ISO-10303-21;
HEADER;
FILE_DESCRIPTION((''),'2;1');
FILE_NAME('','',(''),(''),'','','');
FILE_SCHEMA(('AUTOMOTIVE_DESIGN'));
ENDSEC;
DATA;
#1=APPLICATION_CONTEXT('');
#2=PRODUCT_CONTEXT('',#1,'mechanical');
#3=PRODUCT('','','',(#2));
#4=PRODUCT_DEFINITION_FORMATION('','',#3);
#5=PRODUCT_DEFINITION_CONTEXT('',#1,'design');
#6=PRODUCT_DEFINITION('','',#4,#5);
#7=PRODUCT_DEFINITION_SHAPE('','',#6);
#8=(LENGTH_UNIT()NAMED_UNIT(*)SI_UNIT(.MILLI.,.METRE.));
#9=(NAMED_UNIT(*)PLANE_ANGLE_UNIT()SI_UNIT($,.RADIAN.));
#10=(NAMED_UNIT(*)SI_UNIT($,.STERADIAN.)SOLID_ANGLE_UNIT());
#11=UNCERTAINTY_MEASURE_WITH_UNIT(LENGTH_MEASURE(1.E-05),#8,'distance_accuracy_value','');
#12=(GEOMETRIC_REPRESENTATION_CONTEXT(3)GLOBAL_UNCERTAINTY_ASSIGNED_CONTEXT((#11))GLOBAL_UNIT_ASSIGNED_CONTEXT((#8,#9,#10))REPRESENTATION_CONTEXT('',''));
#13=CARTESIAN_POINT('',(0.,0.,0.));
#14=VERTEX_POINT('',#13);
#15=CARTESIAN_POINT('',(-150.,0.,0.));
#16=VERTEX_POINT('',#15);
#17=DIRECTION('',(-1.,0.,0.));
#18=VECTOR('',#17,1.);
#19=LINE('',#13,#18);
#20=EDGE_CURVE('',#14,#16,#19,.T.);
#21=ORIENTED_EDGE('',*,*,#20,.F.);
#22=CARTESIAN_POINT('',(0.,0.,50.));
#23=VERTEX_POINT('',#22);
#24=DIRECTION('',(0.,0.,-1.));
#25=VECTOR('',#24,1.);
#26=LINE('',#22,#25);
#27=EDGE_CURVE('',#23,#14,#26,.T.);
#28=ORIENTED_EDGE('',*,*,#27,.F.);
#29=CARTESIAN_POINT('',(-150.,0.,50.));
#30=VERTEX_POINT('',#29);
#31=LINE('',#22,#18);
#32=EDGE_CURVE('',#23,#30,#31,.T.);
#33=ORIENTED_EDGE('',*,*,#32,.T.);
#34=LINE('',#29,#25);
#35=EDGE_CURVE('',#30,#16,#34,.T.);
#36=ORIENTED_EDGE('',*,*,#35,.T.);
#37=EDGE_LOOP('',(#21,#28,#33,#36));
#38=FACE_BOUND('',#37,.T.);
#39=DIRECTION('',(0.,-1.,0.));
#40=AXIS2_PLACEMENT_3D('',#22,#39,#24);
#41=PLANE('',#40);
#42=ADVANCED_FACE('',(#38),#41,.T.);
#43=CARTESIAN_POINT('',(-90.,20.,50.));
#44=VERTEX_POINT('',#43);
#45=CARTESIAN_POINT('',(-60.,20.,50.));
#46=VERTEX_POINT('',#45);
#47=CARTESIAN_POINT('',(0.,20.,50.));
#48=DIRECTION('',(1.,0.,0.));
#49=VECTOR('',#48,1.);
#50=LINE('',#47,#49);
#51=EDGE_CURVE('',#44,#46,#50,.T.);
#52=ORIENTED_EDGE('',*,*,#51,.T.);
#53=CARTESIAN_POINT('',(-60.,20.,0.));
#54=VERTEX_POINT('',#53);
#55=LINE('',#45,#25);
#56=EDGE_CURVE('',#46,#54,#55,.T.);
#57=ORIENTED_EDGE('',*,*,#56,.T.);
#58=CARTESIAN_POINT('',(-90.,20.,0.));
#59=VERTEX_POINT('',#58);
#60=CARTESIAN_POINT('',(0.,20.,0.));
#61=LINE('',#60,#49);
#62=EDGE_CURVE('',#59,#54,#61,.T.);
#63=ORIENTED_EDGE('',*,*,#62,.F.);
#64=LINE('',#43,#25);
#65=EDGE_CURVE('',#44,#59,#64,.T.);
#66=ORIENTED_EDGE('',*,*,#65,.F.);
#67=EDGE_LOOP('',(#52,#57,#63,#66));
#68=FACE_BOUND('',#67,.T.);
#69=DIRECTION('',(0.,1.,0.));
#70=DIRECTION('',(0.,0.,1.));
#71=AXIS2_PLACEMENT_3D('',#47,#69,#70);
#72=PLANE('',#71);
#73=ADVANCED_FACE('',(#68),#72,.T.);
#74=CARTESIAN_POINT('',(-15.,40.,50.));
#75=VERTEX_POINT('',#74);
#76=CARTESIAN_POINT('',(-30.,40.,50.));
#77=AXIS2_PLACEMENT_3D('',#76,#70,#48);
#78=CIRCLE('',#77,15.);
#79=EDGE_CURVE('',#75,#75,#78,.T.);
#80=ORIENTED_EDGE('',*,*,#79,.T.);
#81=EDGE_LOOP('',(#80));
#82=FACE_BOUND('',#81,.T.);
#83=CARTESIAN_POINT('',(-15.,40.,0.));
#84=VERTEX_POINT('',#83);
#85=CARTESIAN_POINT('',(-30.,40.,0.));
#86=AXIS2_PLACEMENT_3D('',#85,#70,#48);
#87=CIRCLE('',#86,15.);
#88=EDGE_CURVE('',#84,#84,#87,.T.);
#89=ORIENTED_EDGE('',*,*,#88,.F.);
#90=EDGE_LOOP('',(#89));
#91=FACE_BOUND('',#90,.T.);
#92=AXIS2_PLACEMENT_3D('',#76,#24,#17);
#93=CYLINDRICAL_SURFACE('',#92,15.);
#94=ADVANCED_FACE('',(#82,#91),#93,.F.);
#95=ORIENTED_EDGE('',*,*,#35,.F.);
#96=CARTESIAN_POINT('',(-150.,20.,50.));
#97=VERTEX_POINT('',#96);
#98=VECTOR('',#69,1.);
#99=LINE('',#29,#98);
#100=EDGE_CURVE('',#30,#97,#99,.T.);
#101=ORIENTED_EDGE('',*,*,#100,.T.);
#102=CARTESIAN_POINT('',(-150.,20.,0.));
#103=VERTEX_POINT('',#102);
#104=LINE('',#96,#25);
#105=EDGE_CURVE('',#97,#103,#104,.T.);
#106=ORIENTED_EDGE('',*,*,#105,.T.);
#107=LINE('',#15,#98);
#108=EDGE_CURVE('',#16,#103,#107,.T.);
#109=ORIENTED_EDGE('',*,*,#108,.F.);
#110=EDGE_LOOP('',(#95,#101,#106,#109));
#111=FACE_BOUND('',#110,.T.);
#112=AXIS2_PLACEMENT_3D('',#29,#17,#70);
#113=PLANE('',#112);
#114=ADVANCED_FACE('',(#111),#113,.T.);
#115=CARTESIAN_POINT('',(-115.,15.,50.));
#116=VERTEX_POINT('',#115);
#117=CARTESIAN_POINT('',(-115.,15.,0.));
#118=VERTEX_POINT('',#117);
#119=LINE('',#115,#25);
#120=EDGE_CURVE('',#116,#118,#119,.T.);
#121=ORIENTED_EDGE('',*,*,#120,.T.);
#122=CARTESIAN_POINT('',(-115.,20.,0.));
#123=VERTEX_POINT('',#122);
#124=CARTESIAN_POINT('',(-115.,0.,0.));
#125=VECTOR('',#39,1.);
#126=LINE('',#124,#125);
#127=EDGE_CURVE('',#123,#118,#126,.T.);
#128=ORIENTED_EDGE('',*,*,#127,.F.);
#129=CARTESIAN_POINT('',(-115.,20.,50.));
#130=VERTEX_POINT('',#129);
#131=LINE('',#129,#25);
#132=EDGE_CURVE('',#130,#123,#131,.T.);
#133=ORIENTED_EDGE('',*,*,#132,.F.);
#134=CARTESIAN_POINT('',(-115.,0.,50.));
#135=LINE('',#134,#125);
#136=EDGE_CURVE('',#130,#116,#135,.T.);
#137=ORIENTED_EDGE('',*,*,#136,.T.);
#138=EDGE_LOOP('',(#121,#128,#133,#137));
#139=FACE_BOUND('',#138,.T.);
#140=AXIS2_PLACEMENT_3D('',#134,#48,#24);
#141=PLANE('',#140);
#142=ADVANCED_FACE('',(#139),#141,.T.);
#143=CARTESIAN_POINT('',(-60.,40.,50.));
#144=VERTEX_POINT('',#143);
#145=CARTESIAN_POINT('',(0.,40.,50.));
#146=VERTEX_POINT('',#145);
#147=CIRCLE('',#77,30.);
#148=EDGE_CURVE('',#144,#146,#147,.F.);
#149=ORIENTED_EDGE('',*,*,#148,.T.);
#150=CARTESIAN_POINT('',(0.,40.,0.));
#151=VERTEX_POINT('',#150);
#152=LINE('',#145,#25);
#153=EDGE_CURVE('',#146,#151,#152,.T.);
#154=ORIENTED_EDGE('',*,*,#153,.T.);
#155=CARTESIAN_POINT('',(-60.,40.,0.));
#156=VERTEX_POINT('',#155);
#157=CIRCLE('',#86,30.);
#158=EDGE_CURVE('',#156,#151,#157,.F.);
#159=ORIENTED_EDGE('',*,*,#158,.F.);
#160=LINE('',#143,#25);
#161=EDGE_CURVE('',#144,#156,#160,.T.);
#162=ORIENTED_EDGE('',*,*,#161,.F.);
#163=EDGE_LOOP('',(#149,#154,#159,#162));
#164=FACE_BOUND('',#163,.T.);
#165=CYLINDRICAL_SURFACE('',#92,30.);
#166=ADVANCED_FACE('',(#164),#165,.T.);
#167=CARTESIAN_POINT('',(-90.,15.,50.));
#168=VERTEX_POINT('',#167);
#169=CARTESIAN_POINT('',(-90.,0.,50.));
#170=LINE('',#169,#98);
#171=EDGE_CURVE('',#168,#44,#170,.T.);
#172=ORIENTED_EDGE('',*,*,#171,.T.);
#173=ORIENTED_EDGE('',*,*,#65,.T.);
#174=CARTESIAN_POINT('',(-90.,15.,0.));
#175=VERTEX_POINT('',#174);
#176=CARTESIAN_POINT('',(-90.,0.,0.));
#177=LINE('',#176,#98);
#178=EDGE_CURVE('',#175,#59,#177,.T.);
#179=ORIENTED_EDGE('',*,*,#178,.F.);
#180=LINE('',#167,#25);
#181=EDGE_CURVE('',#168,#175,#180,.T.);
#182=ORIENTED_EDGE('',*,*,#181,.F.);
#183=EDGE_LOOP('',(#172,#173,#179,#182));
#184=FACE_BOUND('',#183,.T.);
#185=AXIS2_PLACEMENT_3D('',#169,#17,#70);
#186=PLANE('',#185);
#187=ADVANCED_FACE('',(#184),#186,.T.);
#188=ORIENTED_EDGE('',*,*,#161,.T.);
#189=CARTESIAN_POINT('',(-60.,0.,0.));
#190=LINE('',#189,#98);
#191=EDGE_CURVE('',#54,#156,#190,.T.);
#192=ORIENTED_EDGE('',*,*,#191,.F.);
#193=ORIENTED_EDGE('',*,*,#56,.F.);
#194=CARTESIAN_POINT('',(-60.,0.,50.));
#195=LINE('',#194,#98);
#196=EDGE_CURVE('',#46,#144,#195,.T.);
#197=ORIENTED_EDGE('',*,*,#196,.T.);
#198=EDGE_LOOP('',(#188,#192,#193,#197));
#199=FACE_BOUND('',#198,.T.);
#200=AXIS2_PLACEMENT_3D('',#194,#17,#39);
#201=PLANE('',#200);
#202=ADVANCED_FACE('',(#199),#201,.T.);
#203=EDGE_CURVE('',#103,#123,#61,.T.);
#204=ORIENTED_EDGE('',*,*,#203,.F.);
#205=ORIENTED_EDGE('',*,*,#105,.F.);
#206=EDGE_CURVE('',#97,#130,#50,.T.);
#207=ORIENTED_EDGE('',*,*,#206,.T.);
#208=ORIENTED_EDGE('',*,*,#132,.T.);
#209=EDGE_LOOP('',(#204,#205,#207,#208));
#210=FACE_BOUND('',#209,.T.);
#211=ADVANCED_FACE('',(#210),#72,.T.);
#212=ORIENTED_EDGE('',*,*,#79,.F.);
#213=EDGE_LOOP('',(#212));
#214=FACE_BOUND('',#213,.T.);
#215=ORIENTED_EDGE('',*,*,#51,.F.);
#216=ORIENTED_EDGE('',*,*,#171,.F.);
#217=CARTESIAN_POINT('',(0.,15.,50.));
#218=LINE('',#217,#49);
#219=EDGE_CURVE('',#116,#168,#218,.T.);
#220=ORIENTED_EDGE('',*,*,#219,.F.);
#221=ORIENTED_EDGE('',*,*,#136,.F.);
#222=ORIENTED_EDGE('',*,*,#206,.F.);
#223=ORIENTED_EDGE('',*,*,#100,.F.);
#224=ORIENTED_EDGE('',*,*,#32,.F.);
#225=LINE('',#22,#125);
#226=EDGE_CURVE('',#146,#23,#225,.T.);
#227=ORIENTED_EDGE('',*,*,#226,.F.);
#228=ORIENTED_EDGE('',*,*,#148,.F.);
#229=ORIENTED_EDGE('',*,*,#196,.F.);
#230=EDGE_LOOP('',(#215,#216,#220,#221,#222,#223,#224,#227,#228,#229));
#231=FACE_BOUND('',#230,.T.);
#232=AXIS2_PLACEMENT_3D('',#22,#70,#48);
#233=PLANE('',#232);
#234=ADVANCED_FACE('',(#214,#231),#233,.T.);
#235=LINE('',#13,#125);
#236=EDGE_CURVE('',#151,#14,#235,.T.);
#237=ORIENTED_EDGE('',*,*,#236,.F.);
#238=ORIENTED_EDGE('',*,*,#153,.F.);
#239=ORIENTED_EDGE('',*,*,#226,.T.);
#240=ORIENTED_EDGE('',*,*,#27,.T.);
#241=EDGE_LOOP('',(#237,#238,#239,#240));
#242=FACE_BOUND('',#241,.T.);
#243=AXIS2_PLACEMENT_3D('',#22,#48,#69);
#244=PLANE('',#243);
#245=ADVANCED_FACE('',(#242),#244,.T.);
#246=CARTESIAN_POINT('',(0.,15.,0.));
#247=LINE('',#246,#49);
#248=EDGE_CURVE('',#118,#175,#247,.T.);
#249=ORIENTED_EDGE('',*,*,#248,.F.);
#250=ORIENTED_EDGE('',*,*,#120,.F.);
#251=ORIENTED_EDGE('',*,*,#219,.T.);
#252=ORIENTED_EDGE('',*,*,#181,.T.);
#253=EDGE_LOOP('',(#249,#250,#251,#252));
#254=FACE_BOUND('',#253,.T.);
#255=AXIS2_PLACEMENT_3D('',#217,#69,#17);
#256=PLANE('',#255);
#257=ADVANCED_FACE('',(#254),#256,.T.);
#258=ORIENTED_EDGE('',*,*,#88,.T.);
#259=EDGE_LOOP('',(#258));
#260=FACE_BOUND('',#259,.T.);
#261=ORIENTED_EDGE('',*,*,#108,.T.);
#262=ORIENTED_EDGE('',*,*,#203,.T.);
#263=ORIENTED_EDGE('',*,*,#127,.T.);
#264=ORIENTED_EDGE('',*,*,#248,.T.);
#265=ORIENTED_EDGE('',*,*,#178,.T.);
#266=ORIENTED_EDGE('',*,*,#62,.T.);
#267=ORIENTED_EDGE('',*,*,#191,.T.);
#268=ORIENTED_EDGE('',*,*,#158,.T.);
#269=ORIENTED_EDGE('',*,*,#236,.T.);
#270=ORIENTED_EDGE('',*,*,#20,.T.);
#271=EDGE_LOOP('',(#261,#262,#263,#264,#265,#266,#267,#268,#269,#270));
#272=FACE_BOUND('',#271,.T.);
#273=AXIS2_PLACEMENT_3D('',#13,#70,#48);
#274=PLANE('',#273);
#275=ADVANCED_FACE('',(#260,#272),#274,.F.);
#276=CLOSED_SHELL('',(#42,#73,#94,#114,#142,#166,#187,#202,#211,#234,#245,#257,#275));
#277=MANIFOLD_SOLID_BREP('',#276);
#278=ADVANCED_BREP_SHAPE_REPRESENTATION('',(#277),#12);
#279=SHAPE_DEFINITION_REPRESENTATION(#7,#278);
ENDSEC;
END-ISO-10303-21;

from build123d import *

# Parameters (mm, degrees)
SKETCH1_R           = 15
BOSS_EXTRUDE1_DEPTH = 50


with BuildPart() as part:
    # Sketch1 → Boss-Extrude1 (new body)
    with BuildSketch(Plane.XY):
        with BuildLine():
            ThreePointArc((-60, 40), (-30, 70), (0, 40))
            Line((0, 40), (0, 0))
            Line((0, 0), (-150, 0))
            Line((-150, 0), (-150, 20))
            Line((-150, 20), (-115, 20))
            Line((-115, 20), (-115, 15))
            Line((-115, 15), (-90, 15))
            Line((-90, 15), (-90, 20))
            Line((-90, 20), (-60, 20))
            Line((-60, 20), (-60, 40))
        make_face()
        with Locations((-30, 40)):
            Circle(SKETCH1_R, mode=Mode.SUBTRACT)
    extrude(amount=BOSS_EXTRUDE1_DEPTH)


solid = part.part
